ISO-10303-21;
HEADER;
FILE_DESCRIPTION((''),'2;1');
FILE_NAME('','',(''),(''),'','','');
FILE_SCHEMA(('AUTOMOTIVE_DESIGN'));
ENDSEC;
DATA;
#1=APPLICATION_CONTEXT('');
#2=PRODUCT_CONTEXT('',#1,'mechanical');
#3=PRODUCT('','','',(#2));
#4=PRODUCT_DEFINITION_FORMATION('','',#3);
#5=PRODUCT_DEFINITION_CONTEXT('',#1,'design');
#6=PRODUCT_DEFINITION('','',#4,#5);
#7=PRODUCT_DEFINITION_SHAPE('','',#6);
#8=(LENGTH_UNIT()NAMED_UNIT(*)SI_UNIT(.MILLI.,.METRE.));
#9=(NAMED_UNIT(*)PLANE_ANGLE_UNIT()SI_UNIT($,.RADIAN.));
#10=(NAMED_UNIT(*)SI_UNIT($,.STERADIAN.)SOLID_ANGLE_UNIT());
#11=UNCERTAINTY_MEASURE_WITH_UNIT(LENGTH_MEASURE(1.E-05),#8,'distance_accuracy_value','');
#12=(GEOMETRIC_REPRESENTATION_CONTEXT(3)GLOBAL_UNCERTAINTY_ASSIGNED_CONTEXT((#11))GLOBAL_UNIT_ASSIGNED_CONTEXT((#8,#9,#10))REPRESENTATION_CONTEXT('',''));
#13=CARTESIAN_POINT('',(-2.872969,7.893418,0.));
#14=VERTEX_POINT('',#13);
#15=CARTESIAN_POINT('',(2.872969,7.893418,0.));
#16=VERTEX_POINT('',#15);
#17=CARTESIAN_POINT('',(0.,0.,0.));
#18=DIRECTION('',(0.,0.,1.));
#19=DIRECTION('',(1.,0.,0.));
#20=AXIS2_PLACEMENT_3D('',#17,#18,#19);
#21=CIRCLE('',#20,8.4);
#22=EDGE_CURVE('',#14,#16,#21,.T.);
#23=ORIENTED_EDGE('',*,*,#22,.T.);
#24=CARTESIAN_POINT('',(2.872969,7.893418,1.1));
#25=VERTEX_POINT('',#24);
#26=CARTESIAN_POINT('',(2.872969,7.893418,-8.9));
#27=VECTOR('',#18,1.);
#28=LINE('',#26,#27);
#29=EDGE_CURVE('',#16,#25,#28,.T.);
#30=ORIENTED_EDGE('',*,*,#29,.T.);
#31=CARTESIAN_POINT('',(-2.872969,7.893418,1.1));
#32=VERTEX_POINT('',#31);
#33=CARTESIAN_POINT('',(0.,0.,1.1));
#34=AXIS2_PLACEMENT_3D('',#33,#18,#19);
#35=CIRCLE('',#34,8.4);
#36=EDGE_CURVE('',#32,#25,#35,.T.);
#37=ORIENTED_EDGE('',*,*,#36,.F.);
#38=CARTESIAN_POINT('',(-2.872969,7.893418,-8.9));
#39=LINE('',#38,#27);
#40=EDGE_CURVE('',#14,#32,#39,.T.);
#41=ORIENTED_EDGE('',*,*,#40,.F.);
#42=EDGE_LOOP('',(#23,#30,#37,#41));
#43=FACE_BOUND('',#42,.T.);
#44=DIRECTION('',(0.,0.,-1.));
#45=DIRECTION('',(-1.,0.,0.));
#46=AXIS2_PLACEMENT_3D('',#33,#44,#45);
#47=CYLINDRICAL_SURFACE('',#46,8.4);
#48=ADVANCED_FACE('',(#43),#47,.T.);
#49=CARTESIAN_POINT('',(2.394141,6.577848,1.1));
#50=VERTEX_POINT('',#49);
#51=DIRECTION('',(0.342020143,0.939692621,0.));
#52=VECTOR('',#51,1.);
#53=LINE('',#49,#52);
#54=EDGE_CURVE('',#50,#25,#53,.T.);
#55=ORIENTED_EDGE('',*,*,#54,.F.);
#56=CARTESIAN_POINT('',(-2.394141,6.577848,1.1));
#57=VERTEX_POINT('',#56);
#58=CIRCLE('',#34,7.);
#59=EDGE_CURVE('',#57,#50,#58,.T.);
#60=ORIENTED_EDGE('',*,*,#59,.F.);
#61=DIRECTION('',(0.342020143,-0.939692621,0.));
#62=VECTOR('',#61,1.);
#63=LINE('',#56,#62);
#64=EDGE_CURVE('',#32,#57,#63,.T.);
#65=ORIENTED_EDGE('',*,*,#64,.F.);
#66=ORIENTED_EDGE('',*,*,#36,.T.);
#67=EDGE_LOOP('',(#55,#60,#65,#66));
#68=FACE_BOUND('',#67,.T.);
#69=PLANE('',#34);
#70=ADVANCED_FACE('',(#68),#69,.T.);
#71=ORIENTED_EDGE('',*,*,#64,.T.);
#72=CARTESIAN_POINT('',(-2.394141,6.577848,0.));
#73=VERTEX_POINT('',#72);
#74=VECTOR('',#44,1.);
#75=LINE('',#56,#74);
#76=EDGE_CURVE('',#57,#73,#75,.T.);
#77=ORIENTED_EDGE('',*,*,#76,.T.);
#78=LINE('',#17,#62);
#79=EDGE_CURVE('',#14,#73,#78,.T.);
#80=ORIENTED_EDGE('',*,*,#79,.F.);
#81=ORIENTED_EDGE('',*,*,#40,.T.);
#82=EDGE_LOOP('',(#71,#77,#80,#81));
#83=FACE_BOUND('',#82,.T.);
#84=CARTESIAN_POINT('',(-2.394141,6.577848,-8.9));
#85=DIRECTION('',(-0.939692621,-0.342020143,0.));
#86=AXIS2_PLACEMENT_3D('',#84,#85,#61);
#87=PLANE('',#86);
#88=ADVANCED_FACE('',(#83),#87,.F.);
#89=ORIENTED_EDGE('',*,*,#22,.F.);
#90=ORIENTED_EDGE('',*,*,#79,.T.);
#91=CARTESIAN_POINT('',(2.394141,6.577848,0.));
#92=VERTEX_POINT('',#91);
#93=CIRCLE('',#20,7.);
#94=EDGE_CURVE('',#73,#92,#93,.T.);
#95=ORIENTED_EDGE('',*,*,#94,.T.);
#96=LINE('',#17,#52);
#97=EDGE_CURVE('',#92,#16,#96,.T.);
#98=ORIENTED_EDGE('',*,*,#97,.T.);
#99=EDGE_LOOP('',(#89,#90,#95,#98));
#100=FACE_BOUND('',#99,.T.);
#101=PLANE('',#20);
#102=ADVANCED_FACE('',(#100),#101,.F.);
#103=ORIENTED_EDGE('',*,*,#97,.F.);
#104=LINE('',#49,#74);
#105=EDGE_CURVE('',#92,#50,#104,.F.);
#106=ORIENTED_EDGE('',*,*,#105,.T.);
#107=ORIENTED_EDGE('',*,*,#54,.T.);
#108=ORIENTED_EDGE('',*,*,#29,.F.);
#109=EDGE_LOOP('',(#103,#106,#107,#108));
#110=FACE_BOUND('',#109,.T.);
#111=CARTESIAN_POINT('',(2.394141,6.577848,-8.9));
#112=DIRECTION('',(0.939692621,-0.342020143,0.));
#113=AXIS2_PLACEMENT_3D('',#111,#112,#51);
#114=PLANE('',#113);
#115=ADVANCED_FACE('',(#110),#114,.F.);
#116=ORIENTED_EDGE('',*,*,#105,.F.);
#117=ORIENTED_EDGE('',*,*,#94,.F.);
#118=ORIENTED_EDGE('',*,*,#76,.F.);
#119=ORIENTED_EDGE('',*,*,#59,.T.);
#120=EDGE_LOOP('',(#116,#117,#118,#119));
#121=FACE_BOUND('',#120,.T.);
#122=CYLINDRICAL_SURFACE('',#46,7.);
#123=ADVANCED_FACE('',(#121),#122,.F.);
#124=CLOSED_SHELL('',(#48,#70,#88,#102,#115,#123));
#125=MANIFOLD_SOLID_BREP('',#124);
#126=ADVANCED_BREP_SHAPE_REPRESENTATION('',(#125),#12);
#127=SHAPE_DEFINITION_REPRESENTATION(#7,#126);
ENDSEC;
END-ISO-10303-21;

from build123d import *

# Parameters (mm, degrees)
SKETCH_1_R          = 8.4
SKETCH_1_R_2        = 7
EXTRUDE_1_DEPTH     = 1.1
CUT_EXTRUDE_START   = -10
CUT_EXTRUDE_1_DEPTH = 10


with BuildPart() as part:
    # 草图1 → 凸台-拉伸1 (new body)
    with BuildSketch(Plane.XY):
        Circle(SKETCH_1_R)
        Circle(SKETCH_1_R_2, mode=Mode.SUBTRACT)
    extrude(amount=EXTRUDE_1_DEPTH)

    # 草图2 → 切除-拉伸1 (cut)
    with BuildSketch(Plane.XY.offset(1.1).offset(CUT_EXTRUDE_START)):
        with BuildLine():
            Line((-2.394141003, 6.577848346), (-2.872969204, 7.893418015))
            ThreePointArc((-2.872969204, 7.893418015), (0, 8.4), (2.872969204, 7.893418015))
            Line((2.872969204, 7.893418015), (2.394141003, 6.577848346))
            ThreePointArc((2.394141003, 6.577848346), (0, 7), (-2.394141003, 6.577848346))
        make_face()
    extrude(amount=CUT_EXTRUDE_1_DEPTH, mode=Mode.SUBTRACT)


solid = part.part
